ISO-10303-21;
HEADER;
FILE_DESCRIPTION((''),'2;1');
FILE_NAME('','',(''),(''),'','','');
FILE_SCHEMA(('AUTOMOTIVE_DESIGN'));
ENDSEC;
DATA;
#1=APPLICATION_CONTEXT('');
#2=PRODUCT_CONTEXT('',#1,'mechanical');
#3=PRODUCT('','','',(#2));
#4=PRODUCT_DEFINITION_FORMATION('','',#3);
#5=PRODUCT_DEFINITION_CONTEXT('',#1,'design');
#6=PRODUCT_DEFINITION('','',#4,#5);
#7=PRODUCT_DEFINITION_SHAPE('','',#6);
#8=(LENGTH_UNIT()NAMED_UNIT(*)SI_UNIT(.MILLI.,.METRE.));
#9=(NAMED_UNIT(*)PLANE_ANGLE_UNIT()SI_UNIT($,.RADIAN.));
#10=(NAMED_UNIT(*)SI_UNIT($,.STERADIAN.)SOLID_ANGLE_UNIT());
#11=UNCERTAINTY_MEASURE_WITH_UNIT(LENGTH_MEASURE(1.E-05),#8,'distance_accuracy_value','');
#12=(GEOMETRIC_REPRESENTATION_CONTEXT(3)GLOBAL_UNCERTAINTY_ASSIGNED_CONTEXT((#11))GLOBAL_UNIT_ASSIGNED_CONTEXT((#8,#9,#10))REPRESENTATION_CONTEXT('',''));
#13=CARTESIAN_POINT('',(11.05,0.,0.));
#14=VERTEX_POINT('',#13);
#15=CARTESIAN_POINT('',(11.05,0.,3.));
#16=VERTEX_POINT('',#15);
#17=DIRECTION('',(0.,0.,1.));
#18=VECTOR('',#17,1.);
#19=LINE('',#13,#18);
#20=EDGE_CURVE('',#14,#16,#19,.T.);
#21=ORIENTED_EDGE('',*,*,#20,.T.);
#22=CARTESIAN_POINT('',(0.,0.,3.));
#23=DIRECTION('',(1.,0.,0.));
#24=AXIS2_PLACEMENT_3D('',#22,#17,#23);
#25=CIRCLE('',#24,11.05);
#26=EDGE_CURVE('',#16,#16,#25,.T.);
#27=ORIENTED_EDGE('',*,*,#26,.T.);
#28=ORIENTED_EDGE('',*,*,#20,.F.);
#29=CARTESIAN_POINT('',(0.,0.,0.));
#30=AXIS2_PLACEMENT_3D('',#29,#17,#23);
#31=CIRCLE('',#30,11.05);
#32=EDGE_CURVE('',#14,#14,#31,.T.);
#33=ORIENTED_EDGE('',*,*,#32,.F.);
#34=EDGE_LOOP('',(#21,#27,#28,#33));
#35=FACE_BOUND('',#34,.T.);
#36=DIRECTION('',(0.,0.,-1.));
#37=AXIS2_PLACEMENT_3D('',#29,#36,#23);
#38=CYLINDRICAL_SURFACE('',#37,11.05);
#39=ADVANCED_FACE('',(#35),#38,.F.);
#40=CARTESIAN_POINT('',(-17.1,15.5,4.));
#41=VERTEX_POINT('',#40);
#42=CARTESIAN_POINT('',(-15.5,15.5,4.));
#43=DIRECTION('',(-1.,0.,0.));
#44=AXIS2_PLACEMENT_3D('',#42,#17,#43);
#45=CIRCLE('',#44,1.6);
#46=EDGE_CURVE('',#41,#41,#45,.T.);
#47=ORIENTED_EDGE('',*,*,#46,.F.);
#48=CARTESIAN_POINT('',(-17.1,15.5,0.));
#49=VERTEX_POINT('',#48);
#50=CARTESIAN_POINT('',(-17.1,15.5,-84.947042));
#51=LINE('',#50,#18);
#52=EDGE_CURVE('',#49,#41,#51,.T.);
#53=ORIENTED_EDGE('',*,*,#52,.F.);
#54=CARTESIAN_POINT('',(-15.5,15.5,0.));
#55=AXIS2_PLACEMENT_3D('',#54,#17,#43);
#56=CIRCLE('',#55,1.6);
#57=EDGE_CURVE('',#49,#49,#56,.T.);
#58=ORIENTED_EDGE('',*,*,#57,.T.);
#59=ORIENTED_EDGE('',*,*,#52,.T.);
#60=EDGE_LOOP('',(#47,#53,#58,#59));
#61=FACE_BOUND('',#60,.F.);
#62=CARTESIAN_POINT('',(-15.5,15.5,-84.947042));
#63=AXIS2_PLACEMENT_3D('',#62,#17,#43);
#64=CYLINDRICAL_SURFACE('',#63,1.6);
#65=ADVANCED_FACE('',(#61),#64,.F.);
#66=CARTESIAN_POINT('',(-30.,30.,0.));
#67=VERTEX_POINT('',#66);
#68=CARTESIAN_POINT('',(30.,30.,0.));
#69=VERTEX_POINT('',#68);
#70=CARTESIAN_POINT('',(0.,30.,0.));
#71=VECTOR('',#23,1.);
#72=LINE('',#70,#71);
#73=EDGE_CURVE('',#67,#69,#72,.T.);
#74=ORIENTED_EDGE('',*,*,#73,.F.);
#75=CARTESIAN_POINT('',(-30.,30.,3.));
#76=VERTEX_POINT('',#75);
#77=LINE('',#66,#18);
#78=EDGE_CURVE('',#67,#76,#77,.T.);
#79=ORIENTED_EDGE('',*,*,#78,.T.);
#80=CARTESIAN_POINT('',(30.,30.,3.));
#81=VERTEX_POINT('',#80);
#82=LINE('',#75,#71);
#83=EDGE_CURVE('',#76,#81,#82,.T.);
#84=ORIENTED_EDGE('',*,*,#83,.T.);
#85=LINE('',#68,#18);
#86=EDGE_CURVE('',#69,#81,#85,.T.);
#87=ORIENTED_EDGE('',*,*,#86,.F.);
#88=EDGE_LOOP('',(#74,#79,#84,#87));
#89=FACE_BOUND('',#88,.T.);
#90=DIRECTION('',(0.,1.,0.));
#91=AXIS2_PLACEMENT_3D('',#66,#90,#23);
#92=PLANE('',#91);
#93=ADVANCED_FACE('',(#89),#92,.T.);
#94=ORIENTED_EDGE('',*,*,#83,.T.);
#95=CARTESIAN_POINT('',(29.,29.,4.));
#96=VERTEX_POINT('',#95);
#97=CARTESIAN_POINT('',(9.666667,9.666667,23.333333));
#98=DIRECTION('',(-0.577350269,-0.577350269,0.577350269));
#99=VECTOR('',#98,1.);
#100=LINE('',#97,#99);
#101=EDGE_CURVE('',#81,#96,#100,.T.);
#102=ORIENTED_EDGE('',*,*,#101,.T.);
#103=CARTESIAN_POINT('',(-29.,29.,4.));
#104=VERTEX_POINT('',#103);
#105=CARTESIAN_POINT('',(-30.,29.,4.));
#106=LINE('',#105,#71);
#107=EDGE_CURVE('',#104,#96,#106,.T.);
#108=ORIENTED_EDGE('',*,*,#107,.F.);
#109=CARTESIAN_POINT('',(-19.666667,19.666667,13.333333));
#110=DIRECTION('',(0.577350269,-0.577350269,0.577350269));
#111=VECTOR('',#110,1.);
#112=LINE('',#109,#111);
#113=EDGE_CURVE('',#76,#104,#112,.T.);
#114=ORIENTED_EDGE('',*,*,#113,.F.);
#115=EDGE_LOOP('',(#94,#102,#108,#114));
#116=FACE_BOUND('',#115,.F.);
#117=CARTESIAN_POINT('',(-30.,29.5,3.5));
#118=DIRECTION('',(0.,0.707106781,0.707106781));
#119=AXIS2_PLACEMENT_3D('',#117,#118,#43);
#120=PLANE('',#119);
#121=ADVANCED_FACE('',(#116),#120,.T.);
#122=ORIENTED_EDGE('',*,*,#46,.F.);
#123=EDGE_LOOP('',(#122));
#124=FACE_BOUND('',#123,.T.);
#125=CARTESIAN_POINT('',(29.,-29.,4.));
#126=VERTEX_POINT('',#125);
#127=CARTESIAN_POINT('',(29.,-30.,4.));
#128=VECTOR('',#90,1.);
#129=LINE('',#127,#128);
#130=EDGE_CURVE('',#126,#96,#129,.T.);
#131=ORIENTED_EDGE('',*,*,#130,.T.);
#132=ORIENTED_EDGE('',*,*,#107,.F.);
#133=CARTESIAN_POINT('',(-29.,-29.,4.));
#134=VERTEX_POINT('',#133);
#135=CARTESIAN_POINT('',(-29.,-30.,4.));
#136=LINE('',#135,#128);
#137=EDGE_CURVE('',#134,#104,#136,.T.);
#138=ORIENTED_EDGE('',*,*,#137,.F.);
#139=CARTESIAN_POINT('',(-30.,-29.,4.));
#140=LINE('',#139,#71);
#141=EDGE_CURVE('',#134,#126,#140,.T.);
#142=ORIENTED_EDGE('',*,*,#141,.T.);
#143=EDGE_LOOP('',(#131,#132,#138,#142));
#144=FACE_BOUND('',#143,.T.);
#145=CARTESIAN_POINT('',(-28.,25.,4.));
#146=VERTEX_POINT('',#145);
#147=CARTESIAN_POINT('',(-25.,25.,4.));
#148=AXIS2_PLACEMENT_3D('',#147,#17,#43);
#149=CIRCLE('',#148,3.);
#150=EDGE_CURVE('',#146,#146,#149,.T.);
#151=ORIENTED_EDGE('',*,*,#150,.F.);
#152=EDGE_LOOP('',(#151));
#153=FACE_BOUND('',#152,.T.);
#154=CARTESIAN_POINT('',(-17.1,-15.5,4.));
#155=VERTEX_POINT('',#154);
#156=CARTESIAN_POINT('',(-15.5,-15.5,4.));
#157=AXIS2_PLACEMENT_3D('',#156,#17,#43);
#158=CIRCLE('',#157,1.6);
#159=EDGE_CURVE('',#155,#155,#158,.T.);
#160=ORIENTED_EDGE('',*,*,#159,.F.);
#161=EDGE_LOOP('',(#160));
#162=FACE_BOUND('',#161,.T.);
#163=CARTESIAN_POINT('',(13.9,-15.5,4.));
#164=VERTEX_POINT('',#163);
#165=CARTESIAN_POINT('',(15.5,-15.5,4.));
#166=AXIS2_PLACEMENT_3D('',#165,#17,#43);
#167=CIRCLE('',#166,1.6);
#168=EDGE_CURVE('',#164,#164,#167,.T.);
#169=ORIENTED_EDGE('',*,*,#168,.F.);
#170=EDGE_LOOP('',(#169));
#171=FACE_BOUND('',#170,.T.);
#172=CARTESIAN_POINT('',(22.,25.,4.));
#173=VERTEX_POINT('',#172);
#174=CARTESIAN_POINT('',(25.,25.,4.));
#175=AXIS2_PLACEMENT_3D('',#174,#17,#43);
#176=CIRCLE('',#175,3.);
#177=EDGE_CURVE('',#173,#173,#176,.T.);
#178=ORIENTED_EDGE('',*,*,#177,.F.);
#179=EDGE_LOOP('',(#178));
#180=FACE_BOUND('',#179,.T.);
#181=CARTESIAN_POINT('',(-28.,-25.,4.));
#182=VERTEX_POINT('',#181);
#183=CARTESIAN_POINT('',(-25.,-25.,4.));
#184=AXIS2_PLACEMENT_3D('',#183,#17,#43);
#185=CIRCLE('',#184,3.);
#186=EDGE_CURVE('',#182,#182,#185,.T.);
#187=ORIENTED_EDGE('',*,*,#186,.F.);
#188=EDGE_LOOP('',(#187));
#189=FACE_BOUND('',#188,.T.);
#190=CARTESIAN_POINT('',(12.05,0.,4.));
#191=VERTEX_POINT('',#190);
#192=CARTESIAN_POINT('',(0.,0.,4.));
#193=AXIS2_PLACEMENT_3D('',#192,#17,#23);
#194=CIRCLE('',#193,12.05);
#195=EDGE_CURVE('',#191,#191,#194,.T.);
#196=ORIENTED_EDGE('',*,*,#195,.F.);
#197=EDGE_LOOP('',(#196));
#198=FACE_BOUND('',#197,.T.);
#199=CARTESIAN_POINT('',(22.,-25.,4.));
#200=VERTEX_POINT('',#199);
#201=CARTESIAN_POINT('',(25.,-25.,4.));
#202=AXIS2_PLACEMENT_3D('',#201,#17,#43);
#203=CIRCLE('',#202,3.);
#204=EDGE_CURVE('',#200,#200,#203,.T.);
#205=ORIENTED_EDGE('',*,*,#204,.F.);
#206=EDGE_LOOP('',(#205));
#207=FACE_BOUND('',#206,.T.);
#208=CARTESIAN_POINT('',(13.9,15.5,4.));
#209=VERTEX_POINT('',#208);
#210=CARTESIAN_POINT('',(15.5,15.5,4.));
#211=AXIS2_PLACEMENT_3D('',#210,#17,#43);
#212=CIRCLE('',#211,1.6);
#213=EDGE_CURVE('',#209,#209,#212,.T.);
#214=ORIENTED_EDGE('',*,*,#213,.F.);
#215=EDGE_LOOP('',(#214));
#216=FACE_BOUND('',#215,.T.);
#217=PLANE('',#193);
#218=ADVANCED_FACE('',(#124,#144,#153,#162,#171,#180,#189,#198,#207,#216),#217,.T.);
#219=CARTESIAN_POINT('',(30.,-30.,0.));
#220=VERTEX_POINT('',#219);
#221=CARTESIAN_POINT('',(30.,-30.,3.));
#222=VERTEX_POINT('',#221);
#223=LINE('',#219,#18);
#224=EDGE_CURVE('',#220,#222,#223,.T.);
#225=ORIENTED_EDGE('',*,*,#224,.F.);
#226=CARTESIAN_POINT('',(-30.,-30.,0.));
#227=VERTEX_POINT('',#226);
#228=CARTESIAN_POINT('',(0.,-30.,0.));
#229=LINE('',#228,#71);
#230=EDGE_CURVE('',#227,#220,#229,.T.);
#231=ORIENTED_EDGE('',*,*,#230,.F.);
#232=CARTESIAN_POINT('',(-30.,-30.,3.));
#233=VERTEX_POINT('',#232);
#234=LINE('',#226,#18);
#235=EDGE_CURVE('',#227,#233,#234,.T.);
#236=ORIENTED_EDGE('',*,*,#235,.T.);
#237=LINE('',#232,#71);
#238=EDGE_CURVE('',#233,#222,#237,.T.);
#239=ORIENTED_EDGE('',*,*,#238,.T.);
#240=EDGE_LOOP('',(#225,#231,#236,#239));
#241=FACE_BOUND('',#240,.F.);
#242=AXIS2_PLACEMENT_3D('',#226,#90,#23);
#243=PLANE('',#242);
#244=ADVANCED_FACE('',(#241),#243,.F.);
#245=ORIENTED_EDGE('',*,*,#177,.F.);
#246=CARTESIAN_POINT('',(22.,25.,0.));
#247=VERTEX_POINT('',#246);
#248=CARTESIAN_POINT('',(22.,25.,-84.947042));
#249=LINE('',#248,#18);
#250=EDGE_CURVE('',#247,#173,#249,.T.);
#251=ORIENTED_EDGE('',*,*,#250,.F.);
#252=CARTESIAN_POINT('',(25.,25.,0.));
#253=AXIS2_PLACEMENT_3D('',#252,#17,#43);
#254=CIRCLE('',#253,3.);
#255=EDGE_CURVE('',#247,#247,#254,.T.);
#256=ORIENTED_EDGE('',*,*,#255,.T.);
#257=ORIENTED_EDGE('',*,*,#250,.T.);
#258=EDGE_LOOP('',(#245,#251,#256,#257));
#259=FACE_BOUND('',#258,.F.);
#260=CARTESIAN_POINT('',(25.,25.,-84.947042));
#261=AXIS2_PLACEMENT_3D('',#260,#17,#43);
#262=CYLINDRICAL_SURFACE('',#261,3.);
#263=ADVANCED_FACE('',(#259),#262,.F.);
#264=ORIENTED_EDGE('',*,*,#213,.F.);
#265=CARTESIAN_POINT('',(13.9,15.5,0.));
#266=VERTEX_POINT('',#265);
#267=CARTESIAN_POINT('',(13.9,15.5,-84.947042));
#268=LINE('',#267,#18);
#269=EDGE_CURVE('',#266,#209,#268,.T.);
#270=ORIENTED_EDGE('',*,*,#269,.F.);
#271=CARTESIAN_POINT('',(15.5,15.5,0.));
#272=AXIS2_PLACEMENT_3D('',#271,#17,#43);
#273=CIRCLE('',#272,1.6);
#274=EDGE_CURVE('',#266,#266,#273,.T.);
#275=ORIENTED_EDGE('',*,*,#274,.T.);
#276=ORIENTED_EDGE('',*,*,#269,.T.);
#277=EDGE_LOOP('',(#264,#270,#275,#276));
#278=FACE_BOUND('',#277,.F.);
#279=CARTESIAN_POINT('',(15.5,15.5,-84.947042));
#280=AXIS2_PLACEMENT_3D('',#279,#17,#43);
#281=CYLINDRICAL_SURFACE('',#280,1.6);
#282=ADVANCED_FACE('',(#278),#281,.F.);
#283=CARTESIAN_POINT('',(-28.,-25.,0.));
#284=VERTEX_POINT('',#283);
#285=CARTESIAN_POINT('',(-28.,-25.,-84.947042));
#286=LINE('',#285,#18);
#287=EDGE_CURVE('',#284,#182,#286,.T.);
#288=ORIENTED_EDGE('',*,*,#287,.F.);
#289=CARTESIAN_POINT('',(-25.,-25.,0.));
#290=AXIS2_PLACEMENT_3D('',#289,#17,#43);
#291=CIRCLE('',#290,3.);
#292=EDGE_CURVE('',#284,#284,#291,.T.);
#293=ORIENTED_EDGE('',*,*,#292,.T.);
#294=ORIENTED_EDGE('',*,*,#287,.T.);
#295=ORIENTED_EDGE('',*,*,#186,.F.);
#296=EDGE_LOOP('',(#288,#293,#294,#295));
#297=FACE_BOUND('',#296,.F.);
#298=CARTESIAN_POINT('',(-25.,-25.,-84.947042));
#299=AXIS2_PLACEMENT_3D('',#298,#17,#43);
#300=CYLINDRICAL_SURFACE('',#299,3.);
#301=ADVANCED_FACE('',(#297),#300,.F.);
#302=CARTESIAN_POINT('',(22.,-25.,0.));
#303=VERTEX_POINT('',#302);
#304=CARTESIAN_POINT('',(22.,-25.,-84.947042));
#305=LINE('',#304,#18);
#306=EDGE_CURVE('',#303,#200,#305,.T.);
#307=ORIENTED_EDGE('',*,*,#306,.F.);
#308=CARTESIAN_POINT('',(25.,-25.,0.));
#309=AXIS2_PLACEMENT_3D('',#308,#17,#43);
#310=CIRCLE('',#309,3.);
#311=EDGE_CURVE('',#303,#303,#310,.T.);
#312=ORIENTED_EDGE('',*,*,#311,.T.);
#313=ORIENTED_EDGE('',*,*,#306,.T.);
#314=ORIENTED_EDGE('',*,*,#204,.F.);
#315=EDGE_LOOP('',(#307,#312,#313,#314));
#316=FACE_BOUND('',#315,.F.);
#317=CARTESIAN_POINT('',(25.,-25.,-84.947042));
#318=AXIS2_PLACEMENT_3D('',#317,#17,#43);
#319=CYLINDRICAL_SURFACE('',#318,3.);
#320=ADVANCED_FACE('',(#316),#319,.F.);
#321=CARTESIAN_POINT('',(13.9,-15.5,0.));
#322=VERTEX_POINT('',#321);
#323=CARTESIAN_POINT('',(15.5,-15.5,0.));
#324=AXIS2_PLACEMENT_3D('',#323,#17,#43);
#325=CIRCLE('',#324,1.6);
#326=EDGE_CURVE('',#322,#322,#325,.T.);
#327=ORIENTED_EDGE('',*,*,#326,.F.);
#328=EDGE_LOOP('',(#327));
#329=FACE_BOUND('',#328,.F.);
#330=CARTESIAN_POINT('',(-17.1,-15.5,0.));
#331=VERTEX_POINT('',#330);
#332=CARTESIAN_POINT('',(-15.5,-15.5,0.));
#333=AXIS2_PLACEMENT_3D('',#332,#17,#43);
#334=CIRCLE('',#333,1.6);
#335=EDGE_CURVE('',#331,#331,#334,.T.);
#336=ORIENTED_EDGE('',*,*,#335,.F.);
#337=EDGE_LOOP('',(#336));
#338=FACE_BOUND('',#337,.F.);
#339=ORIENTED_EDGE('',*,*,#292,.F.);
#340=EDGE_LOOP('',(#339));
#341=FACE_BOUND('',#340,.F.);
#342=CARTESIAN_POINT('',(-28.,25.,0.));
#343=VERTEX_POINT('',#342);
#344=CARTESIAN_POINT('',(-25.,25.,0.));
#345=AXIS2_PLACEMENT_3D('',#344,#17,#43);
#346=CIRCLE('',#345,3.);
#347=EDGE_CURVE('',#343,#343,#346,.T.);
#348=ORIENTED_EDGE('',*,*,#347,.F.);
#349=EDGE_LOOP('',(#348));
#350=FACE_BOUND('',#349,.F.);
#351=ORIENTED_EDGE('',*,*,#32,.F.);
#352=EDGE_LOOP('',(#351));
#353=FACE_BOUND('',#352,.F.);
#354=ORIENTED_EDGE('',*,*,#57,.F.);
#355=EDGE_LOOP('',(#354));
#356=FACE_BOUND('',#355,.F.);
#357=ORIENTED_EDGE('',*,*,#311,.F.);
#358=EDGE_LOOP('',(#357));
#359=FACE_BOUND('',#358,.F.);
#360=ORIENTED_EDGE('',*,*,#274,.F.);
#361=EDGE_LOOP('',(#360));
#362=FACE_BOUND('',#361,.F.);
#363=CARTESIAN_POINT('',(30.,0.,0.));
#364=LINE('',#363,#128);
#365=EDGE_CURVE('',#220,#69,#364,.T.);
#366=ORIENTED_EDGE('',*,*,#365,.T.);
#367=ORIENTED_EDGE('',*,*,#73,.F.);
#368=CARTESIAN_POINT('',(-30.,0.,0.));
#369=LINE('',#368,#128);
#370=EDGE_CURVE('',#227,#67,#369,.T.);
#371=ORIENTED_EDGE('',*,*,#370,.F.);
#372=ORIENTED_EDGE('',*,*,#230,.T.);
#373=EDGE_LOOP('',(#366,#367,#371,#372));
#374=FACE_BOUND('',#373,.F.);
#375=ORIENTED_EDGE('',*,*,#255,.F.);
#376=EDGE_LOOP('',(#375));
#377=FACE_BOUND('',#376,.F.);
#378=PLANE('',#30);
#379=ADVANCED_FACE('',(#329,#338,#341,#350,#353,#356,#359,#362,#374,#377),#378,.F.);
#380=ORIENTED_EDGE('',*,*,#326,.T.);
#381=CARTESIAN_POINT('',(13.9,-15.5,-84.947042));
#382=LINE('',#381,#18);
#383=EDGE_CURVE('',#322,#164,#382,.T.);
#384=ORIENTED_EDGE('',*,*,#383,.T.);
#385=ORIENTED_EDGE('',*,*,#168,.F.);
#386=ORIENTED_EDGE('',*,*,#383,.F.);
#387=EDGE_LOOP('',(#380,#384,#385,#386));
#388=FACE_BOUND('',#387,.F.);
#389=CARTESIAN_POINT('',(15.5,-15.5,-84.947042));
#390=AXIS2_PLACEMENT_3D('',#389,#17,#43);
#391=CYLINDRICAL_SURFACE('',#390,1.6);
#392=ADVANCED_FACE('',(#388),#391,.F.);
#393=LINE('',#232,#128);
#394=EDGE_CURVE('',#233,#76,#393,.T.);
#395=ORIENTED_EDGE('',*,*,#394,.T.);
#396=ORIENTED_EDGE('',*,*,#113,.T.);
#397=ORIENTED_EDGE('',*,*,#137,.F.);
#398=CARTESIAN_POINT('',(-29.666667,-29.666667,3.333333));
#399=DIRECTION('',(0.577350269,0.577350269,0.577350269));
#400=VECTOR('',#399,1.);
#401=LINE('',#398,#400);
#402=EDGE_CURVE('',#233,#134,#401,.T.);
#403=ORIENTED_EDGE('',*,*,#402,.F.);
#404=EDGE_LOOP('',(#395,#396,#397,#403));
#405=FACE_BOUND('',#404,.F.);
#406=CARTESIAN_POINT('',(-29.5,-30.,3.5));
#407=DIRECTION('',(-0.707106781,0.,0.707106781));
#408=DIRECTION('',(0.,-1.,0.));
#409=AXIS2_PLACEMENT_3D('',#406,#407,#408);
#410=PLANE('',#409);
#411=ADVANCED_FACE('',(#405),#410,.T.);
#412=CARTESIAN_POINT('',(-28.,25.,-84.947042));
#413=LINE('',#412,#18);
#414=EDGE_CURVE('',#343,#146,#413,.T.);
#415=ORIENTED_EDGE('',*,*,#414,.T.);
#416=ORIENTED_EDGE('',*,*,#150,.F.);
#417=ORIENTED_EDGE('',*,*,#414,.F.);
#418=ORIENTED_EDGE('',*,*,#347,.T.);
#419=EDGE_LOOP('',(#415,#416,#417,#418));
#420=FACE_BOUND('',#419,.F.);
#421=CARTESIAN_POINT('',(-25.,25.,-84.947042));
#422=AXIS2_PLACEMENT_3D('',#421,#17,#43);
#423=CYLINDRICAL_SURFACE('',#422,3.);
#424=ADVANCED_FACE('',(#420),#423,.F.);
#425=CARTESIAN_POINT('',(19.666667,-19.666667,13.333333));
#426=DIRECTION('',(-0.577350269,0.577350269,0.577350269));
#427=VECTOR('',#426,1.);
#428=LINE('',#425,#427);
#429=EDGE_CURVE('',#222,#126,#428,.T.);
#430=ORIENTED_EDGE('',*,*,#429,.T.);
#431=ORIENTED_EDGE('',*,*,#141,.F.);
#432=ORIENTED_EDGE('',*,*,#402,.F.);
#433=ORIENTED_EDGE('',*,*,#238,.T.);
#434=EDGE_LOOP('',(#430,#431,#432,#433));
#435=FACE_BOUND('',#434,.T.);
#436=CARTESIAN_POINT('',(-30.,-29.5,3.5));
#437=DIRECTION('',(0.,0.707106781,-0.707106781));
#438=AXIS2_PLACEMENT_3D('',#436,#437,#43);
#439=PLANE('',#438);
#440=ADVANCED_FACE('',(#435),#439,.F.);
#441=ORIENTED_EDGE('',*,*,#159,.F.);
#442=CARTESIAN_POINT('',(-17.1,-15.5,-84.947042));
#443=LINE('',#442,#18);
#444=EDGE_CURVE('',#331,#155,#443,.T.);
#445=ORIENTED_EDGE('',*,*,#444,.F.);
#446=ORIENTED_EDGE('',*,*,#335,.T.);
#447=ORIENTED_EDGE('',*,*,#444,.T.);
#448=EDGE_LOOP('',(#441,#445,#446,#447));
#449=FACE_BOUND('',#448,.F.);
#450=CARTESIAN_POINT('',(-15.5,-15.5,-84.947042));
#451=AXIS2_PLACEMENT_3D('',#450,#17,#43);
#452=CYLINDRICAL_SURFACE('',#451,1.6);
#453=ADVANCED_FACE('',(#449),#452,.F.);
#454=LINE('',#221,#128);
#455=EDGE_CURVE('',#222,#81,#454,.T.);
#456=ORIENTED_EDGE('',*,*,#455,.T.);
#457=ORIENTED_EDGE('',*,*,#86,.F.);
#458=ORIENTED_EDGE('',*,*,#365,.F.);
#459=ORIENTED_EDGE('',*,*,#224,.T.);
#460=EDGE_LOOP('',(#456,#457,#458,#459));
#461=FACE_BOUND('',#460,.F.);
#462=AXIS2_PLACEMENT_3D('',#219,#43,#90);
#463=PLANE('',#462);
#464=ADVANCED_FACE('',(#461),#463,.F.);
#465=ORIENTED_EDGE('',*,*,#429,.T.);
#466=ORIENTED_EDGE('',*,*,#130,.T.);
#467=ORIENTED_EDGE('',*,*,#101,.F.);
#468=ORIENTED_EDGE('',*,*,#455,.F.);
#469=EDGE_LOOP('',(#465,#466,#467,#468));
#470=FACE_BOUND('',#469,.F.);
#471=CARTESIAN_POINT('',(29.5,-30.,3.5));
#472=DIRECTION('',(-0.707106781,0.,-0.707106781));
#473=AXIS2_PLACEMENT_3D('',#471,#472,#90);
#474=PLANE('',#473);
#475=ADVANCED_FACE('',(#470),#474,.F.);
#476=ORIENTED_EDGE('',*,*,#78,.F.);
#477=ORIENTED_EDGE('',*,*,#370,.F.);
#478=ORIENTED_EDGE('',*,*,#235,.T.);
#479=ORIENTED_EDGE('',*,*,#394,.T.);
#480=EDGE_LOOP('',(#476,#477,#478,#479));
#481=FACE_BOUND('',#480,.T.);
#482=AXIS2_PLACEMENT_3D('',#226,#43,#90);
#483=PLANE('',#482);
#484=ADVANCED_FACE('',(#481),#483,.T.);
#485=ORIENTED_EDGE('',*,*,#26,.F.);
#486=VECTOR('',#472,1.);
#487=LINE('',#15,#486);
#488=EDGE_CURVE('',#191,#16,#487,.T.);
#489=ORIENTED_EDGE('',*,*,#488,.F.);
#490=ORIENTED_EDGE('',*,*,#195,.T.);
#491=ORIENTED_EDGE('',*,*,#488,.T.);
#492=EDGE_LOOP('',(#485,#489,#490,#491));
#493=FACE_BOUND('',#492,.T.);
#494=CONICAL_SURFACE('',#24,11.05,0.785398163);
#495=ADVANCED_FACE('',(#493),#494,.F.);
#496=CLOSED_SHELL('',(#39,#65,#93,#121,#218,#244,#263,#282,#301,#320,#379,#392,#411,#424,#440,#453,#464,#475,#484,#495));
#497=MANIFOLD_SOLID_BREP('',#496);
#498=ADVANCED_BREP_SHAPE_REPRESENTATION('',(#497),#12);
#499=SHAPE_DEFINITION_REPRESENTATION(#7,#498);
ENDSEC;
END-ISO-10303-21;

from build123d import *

# Parameters (mm, degrees)
F0_W     = 60
F0_H     = 60
F0_R     = 11.05
F1_DEPTH = 4
F2_D     = 3.2
F3_D     = 6
F4_SIZE  = 1


with BuildPart() as f1:
    # F0 (on Top) → F1 (new body)
    with BuildSketch(Plane.XY):
        Rectangle(F0_W, F0_H)
        Circle(F0_R, mode=Mode.SUBTRACT)
    extrude(amount=F1_DEPTH)

    # F2 (through all)
    with Locations(Plane(origin=(0, 0, 0), x_dir=(1, 0, 0), z_dir=(0, 0, -1))):
        with Locations((15.5, 15.5), (15.5, -15.5), (-15.5, -15.5), (-15.5, 15.5)):
            Hole(F2_D / 2)

    # F3 (through all)
    with Locations(Plane(origin=(0, 0, 0), x_dir=(1, 0, 0), z_dir=(0, 0, -1))):
        with Locations((-25, -25), (25, -25), (25, 25), (-25, 25)):
            Hole(F3_D / 2)

    # F4
    f4_edges = [f1.edges().sort_by_distance(p)[0] for p in [
        (-11.05, 0, 4),
        (0, -30, 4),
        (-30, 0, 4),
        (0, 30, 4),
        (30, 0, 4),
    ]]
    chamfer(f4_edges, length=F4_SIZE)


solid = f1.part
